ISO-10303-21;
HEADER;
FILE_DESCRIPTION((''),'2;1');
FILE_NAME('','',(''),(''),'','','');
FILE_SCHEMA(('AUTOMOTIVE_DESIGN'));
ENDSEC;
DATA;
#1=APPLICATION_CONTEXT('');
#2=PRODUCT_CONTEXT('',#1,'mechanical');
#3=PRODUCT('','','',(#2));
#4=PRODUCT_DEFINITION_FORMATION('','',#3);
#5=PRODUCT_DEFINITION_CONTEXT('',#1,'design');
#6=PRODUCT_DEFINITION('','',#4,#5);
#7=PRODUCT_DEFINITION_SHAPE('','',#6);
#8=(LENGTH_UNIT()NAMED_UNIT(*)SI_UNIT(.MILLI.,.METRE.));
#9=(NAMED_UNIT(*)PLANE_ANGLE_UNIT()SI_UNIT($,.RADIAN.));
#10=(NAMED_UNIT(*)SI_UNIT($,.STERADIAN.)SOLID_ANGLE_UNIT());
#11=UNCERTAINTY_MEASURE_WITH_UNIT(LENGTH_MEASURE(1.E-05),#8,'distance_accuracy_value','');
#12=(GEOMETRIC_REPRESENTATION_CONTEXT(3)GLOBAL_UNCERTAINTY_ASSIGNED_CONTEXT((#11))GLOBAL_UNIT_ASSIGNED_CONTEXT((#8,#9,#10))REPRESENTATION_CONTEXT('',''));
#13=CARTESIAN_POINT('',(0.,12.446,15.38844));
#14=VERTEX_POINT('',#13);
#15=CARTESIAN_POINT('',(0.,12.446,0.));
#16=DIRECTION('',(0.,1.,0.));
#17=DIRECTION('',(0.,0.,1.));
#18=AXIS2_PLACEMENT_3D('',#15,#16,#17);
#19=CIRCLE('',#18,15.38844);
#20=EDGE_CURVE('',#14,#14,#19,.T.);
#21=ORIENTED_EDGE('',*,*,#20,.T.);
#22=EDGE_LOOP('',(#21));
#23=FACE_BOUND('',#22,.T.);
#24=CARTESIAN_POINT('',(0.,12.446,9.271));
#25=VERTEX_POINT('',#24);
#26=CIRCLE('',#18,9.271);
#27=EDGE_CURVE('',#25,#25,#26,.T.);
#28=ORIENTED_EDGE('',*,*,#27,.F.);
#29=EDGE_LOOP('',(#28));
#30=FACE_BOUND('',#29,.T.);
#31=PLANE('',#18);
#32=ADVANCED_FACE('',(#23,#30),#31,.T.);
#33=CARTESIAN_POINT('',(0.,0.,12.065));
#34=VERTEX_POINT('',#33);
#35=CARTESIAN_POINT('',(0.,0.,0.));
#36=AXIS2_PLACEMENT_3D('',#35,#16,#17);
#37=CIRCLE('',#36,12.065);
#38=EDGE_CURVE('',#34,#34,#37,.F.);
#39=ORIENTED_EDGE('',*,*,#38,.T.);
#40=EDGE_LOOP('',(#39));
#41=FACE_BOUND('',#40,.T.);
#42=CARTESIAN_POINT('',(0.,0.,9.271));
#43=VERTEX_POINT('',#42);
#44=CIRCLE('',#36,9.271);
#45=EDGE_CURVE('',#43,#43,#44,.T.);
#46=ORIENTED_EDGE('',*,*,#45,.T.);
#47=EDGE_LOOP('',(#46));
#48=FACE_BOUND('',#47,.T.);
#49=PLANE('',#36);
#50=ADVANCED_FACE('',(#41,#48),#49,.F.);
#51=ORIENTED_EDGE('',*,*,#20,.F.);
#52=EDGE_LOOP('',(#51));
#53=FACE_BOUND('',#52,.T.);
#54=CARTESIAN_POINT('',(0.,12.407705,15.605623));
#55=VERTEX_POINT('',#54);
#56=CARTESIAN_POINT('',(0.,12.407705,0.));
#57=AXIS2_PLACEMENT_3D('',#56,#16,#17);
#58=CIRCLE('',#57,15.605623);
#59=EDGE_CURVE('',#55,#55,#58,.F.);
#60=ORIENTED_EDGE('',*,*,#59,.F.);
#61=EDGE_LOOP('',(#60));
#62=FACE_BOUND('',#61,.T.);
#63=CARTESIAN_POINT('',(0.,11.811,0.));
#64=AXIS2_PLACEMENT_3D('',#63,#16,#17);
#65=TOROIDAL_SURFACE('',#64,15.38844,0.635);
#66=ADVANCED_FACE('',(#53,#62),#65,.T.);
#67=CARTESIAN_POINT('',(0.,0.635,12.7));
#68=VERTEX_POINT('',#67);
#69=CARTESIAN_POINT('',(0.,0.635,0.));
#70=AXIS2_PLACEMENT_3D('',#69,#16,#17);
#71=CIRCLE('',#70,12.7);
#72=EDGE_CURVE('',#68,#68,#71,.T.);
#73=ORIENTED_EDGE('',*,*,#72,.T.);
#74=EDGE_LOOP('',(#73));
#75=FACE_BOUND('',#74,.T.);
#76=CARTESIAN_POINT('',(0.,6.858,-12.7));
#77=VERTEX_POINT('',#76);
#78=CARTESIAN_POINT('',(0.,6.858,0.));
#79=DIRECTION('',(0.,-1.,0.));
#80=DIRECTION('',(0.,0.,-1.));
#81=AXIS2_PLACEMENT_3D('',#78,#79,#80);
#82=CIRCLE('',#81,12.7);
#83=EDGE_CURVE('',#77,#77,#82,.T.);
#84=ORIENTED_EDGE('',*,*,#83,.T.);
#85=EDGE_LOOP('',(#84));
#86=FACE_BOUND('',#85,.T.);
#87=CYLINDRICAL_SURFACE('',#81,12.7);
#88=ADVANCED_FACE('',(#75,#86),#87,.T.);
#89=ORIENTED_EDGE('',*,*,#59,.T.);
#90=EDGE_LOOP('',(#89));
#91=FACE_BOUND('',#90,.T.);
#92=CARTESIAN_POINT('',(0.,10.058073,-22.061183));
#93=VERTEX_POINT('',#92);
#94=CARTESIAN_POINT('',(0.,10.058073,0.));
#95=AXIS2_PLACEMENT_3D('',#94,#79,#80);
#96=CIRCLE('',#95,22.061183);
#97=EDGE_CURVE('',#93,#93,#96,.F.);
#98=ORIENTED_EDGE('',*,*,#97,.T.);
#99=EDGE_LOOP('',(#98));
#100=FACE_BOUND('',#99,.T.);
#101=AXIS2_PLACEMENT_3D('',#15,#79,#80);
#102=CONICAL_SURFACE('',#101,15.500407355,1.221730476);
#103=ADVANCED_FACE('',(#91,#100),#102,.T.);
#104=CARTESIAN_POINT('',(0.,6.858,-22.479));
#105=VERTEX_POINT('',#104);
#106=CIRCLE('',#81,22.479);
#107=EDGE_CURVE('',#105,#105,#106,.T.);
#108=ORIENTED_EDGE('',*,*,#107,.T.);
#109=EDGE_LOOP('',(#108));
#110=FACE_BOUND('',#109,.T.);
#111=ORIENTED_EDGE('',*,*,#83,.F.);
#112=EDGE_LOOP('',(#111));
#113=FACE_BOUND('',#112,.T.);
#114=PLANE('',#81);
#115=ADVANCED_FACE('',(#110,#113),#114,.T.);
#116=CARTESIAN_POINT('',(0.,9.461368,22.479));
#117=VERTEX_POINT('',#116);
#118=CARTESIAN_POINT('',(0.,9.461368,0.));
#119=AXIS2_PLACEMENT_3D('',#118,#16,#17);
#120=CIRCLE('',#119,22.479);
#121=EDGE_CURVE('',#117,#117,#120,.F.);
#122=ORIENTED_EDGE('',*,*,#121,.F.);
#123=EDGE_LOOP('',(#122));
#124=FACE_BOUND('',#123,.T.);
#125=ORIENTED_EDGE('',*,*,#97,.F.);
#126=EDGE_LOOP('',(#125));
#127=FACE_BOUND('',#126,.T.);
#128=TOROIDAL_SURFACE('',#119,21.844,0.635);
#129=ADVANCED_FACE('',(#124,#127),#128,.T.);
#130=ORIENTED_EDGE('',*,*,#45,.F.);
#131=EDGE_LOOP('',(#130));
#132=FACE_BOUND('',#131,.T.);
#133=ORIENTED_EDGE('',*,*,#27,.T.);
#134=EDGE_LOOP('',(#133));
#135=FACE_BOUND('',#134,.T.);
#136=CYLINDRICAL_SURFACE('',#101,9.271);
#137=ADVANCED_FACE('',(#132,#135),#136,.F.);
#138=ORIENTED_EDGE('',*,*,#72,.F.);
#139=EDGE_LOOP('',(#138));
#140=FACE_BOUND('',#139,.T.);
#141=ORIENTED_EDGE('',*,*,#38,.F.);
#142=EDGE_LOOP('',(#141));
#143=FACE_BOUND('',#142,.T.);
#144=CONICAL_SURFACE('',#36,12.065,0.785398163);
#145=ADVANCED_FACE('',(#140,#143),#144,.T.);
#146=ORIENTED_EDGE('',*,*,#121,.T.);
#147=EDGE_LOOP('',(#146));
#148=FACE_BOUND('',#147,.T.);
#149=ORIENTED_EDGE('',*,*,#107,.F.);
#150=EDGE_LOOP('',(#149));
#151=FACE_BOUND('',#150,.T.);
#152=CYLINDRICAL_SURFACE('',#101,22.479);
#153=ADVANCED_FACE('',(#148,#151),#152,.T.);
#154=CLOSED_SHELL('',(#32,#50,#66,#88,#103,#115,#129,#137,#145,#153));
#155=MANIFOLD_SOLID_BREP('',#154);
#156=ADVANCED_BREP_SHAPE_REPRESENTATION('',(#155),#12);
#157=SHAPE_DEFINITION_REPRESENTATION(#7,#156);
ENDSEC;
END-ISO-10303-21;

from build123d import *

# Parameters (mm, degrees)
SKETCH1_R           = 22.479
SKETCH1_R_2         = 9.271
BOSS_EXTRUDE1_DEPTH = 12.446
SKETCH2_R           = 22.479
SKETCH2_R_2         = 12.7
CUT_EXTRUDE1_DEPTH  = 6.858
CHAMFER1_SIZE       = 2.54
CHAMFER1_SIZE2      = 6.978592645
CHAMFER2_SIZE       = 0.635
FILLET1_R           = 0.635


with BuildPart() as part:
    # Sketch1 → Boss-Extrude1 (new body)
    with BuildSketch(Plane(origin=(0, 0, 0), x_dir=(1, 0, 0), z_dir=(0, 1, 0))):
        Circle(SKETCH1_R)
        Circle(SKETCH1_R_2, mode=Mode.SUBTRACT)
    extrude(amount=BOSS_EXTRUDE1_DEPTH)

    # Sketch2 → Cut-Extrude1 (cut)
    with BuildSketch(Plane.XZ):
        Circle(SKETCH2_R)
        Circle(SKETCH2_R_2, mode=Mode.SUBTRACT)
    extrude(amount=-CUT_EXTRUDE1_DEPTH, mode=Mode.SUBTRACT)

    # Chamfer1
    chamfer1_edges = [part.edges().sort_by_distance(p)[0] for p in [
        (-22.479, 12.446, 0),
    ]]
    chamfer1_side = [part.faces().sort_by_distance(p)[0] for p in [
        (-22.479, 9.652, 0),
    ]]
    chamfer(chamfer1_edges, length=CHAMFER1_SIZE, length2=CHAMFER1_SIZE2, reference=chamfer1_side[0])

    # Chamfer2
    chamfer2_edges = [part.edges().sort_by_distance(p)[0] for p in [
        (-12.7, 0, 0),
    ]]
    chamfer(chamfer2_edges, length=CHAMFER2_SIZE)

    # Fillet1
    fillet1_edges = [part.edges().sort_by_distance(p)[0] for p in [
        (-15.500407355, 12.446, 0),
        (-22.479, 9.906, 0),
    ]]
    fillet(fillet1_edges, radius=FILLET1_R)


solid = part.part
